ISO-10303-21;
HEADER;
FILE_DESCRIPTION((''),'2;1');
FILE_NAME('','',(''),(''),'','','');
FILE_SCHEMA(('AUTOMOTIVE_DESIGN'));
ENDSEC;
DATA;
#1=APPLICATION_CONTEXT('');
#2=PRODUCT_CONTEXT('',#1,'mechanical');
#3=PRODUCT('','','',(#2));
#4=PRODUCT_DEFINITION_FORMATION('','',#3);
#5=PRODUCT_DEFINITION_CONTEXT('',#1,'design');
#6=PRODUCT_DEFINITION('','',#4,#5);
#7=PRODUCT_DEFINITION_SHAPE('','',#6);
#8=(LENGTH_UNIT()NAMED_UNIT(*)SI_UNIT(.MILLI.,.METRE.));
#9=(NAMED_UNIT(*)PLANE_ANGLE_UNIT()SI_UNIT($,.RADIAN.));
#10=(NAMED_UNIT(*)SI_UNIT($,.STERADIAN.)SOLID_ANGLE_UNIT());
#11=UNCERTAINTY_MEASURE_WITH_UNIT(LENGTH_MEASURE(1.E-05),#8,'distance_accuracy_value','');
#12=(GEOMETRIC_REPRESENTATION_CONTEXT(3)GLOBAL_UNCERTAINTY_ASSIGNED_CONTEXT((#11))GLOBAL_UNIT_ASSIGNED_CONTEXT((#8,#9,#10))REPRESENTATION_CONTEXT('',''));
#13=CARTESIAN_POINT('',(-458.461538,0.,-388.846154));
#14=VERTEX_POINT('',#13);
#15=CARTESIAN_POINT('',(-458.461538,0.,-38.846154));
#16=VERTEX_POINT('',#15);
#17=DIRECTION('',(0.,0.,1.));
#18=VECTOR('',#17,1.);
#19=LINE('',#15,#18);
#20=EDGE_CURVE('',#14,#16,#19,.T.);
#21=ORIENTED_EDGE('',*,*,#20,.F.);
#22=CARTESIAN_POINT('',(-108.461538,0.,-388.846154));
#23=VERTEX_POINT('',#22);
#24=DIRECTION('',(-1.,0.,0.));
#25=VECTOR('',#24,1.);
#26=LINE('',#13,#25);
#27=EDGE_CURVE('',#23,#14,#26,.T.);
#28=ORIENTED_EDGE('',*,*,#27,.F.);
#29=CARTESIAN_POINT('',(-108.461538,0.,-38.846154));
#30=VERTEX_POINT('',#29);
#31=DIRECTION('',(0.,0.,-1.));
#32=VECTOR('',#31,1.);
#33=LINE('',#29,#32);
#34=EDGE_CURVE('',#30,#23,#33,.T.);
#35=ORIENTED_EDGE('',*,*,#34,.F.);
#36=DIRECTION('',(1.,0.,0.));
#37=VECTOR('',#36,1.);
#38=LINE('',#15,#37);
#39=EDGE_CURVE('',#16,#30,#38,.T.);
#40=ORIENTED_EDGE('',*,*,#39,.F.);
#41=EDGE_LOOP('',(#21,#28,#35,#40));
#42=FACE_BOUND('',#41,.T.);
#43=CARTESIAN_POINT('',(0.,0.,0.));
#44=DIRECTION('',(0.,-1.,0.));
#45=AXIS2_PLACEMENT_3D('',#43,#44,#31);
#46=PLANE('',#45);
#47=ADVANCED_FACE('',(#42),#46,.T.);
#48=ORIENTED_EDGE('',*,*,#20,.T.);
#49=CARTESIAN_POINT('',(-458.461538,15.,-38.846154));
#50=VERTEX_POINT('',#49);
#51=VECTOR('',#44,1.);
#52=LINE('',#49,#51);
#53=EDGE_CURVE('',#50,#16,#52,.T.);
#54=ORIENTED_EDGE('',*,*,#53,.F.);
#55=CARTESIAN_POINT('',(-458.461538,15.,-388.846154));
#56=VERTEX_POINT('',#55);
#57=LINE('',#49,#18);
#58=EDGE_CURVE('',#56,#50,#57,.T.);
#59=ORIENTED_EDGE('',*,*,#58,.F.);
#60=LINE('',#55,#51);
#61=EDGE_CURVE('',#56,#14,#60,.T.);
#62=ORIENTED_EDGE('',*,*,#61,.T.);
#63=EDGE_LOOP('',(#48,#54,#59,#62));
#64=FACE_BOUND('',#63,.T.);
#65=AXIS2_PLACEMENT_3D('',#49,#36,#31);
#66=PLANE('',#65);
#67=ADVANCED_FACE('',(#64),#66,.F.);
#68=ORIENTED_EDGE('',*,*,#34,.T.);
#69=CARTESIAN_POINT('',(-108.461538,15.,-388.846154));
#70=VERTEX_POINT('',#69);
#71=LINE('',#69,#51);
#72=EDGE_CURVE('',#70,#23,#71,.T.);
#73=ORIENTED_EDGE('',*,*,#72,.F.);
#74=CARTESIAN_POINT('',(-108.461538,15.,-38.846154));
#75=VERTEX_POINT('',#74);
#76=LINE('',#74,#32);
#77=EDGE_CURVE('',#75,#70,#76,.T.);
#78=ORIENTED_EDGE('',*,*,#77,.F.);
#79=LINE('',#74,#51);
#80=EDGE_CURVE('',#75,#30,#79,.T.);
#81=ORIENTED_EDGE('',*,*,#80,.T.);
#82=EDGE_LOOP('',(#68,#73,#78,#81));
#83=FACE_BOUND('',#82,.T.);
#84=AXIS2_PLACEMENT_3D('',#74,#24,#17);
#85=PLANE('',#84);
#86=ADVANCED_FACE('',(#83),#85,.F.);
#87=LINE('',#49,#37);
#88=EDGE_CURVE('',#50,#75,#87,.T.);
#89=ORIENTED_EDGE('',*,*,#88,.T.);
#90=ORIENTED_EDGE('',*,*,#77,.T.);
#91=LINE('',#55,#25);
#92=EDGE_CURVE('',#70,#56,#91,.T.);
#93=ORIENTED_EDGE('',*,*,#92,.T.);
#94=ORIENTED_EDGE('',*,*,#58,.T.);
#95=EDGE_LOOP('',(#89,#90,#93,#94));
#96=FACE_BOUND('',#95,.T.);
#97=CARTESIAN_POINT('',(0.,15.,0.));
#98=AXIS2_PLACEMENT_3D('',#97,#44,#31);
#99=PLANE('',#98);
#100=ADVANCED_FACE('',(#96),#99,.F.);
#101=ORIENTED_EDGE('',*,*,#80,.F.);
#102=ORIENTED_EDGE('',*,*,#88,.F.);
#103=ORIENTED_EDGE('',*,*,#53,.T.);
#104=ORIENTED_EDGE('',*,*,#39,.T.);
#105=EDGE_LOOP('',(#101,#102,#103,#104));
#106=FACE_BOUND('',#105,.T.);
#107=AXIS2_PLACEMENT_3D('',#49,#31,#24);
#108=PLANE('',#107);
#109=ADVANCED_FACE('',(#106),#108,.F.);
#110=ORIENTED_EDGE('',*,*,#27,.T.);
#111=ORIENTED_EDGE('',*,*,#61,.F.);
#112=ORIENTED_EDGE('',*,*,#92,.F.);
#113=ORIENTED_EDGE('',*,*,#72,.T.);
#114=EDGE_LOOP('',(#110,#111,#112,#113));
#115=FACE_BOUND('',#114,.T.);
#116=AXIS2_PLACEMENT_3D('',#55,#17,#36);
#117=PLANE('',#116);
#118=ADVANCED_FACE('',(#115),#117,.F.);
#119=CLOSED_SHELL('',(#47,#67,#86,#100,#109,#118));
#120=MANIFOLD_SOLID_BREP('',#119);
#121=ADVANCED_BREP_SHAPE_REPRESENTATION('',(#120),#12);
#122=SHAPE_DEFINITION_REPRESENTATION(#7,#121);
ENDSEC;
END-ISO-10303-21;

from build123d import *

# Parameters (mm, degrees)
SKETCH1_W    = 350
SKETCH1_H    = 350
BOTTOM_DEPTH = 15


with BuildPart() as part:
    # Sketch1 → bottom (new body)
    with BuildSketch(Plane(origin=(0, 0, 0), x_dir=(1, 0, 0), z_dir=(0, 1, 0))):
        with Locations((-283.461538462, 213.846153846)):
            Rectangle(SKETCH1_W, SKETCH1_H)
    extrude(amount=BOTTOM_DEPTH)


solid = part.part
